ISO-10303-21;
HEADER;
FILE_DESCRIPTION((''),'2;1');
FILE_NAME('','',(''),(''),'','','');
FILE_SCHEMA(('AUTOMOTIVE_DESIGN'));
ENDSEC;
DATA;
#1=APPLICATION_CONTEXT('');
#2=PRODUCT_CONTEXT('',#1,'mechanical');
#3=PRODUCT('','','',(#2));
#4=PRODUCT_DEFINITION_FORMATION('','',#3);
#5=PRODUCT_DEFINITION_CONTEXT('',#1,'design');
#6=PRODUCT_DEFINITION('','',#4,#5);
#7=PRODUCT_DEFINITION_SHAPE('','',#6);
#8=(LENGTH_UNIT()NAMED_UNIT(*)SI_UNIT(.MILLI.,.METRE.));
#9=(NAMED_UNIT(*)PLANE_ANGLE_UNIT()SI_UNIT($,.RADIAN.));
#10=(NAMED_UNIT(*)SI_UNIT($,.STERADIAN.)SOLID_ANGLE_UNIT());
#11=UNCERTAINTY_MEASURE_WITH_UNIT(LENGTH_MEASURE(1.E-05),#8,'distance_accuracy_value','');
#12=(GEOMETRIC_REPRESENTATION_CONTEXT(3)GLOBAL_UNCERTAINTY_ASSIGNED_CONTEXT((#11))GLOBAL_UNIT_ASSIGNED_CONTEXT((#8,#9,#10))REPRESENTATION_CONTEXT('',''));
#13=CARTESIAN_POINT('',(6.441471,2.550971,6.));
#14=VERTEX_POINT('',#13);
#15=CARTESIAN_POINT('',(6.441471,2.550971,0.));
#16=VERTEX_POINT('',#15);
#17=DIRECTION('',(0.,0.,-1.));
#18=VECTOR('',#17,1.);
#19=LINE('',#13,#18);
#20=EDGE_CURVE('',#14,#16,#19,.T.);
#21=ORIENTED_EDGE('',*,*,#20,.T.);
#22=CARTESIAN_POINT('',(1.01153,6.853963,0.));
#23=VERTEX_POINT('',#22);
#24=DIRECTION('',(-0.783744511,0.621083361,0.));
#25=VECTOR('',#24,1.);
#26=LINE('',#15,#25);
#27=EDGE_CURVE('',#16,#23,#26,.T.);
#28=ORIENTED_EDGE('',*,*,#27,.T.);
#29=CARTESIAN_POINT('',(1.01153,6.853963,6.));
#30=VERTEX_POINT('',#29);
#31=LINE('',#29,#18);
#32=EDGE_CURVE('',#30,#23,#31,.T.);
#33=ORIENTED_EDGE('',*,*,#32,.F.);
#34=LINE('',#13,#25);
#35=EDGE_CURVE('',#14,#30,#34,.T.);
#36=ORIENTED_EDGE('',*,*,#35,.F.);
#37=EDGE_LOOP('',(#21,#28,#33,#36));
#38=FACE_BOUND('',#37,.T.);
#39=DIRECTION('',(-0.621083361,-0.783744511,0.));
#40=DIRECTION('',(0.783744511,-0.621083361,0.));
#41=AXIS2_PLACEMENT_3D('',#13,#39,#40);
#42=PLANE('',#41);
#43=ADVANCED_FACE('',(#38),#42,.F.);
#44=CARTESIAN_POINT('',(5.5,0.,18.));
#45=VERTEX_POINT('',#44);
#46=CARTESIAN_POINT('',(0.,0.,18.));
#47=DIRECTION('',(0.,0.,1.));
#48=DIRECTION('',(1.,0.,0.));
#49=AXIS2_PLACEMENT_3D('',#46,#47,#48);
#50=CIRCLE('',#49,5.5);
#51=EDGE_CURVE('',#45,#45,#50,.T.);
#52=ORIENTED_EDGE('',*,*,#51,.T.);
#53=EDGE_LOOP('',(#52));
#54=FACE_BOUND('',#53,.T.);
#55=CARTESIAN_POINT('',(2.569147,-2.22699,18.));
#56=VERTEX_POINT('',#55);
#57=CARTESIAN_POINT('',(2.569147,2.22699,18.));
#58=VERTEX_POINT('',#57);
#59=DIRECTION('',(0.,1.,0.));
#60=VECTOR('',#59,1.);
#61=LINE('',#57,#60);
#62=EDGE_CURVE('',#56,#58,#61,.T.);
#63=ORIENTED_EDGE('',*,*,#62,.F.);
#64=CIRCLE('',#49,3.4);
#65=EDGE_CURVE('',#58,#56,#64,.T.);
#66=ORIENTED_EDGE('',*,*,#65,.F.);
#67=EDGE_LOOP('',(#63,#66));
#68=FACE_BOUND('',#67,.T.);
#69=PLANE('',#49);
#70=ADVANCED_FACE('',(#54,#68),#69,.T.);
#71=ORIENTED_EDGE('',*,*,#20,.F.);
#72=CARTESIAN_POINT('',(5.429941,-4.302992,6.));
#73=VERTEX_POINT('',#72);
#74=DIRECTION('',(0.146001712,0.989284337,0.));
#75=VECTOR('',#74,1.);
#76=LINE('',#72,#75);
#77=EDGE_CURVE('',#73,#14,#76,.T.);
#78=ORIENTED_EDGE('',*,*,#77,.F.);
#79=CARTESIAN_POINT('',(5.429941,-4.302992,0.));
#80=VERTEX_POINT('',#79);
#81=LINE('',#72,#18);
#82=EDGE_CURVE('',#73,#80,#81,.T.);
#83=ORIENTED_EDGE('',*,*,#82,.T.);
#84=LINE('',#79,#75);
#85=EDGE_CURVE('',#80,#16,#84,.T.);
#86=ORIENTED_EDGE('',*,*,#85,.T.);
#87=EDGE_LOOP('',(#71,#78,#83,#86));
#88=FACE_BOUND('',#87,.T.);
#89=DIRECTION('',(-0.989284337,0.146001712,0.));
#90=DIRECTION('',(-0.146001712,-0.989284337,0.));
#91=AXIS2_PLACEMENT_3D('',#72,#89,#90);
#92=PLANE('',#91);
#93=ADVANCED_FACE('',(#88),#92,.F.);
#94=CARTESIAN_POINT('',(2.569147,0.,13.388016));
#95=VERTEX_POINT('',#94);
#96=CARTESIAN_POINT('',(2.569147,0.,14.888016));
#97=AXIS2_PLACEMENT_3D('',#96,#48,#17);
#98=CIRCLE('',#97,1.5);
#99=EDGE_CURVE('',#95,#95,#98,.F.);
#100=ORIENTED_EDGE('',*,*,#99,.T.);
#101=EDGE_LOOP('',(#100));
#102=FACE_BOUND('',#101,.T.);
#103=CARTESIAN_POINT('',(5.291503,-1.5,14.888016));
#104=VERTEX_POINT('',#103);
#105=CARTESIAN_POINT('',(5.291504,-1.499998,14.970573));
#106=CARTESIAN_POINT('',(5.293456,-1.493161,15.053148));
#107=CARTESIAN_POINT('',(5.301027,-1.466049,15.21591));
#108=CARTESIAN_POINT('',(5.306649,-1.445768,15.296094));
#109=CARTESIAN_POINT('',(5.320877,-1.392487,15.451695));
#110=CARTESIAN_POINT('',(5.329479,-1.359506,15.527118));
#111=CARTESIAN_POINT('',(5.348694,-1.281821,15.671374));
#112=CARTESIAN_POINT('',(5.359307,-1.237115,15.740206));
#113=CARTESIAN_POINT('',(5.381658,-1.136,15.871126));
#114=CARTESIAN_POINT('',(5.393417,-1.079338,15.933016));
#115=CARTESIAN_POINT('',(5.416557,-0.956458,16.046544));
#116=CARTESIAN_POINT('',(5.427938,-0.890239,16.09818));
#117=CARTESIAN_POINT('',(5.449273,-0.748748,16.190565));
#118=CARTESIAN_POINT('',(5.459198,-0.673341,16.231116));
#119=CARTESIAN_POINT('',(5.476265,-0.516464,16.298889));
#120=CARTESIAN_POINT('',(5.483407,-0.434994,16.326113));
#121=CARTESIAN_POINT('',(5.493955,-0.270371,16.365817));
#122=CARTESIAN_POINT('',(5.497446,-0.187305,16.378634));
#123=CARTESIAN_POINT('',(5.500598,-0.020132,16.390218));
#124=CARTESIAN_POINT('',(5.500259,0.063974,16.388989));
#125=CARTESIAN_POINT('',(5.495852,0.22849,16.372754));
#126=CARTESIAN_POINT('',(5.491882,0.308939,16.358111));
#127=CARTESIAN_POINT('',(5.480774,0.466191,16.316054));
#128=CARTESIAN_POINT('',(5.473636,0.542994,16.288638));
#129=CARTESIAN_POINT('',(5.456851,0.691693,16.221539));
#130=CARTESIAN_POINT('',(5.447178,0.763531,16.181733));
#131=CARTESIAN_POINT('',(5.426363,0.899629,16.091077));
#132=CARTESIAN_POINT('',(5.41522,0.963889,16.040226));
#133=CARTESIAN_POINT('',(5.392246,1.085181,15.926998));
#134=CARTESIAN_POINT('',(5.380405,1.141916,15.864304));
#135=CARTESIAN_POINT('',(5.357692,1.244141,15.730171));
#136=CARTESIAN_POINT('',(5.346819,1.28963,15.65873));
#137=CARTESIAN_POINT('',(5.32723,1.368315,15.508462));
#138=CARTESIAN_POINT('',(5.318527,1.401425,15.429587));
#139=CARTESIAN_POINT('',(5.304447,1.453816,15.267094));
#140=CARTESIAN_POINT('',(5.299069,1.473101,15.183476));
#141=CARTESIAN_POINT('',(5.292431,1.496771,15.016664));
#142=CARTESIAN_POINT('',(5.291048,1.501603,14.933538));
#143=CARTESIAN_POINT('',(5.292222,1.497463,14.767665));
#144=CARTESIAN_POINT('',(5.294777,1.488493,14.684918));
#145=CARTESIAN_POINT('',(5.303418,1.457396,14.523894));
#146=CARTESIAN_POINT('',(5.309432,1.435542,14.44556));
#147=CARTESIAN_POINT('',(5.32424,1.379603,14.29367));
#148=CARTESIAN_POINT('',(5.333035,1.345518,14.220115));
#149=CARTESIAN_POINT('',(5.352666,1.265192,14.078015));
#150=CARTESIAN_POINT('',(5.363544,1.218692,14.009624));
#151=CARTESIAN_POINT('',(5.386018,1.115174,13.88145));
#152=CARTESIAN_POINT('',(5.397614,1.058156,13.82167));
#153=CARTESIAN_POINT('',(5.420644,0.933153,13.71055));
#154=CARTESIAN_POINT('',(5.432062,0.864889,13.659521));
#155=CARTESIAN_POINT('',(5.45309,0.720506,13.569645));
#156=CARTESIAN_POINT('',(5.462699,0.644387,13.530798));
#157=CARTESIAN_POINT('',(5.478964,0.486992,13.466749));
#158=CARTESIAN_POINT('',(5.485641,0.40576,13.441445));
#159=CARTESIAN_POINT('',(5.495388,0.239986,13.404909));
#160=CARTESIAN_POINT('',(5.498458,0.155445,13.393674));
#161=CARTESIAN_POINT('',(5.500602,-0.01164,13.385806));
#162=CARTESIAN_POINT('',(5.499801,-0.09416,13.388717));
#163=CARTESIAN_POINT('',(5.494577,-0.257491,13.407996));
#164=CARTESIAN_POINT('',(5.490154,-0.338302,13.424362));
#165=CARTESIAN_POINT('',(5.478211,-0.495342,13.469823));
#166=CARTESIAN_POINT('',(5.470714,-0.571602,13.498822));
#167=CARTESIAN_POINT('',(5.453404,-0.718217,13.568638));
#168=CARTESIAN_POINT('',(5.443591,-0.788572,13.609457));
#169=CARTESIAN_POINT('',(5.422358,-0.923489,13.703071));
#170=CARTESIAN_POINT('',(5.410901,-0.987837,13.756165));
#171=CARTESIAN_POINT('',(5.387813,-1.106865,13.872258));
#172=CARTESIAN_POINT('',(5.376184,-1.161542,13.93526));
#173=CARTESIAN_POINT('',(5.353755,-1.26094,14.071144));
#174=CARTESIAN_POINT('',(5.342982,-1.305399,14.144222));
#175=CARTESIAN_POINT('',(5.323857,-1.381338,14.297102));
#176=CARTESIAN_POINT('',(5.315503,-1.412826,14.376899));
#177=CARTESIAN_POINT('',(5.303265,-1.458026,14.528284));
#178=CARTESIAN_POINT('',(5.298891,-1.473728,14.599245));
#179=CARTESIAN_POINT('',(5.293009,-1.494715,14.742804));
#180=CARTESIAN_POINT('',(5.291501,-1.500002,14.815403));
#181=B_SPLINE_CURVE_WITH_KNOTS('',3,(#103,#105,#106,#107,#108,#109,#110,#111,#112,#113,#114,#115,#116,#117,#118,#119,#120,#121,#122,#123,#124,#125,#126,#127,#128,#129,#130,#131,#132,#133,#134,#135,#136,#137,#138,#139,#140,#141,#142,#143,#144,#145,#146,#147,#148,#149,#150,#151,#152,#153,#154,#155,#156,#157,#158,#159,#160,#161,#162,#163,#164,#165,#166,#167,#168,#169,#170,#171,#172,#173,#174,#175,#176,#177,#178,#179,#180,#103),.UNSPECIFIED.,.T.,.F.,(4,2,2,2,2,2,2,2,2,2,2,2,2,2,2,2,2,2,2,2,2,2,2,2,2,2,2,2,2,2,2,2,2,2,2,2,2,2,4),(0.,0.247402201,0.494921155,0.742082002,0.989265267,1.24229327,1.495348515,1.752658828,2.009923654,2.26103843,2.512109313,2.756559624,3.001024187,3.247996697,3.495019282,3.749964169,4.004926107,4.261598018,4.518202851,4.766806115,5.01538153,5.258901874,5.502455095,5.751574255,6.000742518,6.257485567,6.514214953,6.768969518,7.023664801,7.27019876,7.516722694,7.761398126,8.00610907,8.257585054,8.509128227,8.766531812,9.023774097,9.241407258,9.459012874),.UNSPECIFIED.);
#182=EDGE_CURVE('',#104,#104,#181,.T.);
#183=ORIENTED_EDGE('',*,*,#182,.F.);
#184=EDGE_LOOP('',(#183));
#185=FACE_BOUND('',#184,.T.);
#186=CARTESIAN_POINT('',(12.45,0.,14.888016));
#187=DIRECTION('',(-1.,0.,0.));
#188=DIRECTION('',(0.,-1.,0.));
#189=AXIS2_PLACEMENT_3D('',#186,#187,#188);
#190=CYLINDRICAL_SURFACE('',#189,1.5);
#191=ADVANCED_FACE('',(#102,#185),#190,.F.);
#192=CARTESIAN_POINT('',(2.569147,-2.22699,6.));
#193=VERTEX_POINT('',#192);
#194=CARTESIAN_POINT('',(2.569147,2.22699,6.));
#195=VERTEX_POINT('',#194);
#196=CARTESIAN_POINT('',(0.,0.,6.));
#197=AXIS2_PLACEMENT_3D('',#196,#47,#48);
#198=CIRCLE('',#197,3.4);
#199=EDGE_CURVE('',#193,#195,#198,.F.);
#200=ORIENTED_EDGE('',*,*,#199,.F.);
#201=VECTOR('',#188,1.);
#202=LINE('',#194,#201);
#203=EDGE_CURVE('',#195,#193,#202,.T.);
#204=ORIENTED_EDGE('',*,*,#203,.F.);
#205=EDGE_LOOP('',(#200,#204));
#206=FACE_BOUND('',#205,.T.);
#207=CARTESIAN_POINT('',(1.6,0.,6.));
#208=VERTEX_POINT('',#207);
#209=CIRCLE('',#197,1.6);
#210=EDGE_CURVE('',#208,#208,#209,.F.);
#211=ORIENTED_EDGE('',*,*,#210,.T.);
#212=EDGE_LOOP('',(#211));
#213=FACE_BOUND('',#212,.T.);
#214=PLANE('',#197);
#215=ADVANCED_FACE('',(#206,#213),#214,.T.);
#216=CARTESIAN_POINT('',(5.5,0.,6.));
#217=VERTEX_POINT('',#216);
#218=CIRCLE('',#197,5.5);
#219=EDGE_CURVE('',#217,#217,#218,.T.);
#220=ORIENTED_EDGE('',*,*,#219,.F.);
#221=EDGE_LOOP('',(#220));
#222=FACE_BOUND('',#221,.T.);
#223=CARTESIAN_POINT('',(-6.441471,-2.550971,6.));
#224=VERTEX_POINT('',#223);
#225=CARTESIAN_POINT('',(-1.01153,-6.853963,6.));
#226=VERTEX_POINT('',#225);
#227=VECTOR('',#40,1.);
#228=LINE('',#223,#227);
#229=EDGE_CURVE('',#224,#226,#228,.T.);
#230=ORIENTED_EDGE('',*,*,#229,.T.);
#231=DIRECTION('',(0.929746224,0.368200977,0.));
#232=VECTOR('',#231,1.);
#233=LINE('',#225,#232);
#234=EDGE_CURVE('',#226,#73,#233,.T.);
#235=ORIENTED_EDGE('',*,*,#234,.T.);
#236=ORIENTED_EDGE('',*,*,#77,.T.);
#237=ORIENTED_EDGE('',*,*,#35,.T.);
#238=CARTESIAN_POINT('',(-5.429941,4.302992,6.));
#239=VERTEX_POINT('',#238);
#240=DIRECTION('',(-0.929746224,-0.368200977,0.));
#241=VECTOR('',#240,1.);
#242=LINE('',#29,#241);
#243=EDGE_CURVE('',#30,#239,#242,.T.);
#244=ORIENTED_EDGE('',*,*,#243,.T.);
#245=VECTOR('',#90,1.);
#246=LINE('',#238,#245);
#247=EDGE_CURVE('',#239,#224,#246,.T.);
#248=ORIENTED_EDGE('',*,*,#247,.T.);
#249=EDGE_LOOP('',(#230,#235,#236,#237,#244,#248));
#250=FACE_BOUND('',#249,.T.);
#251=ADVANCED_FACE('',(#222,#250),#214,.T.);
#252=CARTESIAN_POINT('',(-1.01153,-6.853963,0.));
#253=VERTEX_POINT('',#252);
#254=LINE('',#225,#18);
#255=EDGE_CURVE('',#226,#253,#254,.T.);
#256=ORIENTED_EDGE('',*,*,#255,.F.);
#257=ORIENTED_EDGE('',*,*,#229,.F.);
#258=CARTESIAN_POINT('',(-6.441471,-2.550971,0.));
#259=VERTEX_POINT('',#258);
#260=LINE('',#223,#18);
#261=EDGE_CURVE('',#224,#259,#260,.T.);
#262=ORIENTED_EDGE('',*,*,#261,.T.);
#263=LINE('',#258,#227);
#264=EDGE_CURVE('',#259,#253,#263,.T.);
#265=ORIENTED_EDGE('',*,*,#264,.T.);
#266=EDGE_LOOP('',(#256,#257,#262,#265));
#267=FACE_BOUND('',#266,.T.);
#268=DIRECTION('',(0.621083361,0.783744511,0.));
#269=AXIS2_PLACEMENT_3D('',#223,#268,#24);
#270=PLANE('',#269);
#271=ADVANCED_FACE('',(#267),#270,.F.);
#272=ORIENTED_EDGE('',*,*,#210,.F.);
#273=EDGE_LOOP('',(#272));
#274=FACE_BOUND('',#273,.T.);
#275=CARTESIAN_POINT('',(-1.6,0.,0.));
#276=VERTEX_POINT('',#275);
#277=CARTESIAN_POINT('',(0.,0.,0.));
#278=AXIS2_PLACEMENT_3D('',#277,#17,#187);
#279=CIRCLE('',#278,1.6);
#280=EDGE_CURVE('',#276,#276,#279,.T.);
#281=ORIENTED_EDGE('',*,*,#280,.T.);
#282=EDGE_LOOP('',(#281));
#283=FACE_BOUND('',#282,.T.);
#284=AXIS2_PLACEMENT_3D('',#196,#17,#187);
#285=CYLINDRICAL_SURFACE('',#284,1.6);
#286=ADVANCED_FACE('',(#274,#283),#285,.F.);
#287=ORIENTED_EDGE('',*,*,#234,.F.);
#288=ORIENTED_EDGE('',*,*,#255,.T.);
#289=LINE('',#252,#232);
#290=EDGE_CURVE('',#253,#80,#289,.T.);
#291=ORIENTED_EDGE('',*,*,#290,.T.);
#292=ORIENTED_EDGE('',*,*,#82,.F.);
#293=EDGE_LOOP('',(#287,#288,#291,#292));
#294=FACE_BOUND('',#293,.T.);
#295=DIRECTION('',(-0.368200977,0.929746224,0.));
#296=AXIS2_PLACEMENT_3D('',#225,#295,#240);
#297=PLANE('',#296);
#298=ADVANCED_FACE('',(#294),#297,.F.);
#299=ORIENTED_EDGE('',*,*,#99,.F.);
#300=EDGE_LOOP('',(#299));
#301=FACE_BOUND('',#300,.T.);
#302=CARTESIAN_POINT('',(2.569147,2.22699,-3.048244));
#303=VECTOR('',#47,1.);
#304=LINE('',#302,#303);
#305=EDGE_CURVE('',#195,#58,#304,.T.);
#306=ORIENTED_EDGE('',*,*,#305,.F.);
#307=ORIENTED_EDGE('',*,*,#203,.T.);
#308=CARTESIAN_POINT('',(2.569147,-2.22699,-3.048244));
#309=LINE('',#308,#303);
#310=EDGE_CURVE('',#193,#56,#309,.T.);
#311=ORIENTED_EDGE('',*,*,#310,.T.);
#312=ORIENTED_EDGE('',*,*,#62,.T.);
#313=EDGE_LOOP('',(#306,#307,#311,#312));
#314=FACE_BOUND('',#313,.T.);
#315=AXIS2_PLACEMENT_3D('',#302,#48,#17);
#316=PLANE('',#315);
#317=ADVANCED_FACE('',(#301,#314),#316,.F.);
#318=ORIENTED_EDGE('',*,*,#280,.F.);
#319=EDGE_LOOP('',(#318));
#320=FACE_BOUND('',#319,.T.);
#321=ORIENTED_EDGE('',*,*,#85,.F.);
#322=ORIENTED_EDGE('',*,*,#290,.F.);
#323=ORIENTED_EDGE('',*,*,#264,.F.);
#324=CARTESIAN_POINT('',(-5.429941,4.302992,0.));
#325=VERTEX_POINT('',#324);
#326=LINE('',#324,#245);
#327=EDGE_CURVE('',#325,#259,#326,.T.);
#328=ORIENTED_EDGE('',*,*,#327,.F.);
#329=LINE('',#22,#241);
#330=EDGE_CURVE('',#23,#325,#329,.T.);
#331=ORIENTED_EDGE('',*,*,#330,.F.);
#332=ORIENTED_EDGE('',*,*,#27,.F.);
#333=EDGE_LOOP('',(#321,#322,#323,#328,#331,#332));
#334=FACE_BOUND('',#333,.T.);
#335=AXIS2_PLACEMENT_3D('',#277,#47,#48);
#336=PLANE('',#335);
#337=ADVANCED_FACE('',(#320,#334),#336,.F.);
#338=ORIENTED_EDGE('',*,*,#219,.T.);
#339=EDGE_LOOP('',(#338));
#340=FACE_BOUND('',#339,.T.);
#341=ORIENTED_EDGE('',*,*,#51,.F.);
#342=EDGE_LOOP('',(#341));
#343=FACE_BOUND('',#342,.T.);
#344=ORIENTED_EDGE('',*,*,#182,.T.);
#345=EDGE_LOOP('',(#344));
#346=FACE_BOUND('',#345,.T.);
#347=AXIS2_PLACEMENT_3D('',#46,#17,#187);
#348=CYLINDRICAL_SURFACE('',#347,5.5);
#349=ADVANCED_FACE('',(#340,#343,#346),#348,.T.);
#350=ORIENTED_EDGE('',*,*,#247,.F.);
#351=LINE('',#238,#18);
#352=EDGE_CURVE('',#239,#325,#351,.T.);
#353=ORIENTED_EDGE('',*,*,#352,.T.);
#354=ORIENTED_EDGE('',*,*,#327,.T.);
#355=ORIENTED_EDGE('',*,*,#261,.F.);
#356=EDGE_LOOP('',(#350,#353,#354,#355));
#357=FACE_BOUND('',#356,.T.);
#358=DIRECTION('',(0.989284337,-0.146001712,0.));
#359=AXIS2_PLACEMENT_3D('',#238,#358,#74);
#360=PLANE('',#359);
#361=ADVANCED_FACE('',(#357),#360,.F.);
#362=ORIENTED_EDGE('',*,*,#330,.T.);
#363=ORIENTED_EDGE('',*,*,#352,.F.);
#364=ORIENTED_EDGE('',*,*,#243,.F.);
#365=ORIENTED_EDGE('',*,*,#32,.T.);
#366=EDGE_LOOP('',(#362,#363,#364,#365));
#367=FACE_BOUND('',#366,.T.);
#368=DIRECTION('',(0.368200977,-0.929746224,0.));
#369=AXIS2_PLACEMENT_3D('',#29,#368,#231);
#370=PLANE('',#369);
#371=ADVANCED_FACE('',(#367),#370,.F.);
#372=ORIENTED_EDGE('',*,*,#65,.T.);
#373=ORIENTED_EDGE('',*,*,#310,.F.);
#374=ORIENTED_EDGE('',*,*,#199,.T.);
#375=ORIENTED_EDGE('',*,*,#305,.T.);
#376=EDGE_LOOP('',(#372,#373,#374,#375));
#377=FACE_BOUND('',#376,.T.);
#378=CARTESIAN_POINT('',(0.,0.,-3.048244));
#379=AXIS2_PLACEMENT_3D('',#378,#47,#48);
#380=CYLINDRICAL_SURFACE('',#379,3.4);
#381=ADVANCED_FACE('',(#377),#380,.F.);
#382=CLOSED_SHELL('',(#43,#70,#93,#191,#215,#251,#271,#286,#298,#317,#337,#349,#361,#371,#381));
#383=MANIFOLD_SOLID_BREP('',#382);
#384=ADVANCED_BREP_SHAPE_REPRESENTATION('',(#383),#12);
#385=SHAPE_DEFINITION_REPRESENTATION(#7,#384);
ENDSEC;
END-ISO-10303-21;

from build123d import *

# Parameters (mm, degrees)
EXTRUDE_1_DEPTH     = 6
SKETCH_2_R          = 5.5
EXTRUDE_2_DEPTH     = 12
SKETCH_3_R          = 1.6
CUT_EXTRUDE_1_DEPTH = 6
CUT_EXTRUDE_2_DEPTH = 12
SKETCH_5_R          = 1.5
CUT_EXTRUDE_3_DEPTH = 10
CUT_EXTRUDE_4_DEPTH = 12


with BuildPart() as part:
    # 草图1 → 凸台-拉伸1 (new body)
    with BuildSketch(Plane.XY):
        Polygon((5.429941256, -4.302991745), (6.441470791, 2.550971196), (1.011529536, 6.853962941), (-5.429941256, 4.302991745), (-6.441470791, -2.550971196), (-1.011529536, -6.853962941), align=None)
    extrude(amount=EXTRUDE_1_DEPTH)

    # 草图2 → 凸台-拉伸2 (add)
    with BuildSketch(Plane.XY.offset(6)):
        Circle(SKETCH_2_R)
    extrude(amount=EXTRUDE_2_DEPTH)

    # 草图3 → 切除-拉伸1 (cut)
    with BuildSketch(Plane(origin=(0, 0, 0), x_dir=(-1, 0, 0), z_dir=(0, 0, -1))):
        Circle(SKETCH_3_R)
    extrude(amount=-CUT_EXTRUDE_1_DEPTH, mode=Mode.SUBTRACT)

    # 草图4 → 切除-拉伸2 (cut)
    with BuildSketch(Plane.XY.offset(18)):
        with BuildLine():
            Line((2.45, 1.731328969), (2.45, -1.731328969))
            ThreePointArc((2.45, -1.731328969), (-3, 0), (2.45, 1.731328969))
        make_face()
    extrude(amount=-CUT_EXTRUDE_2_DEPTH, mode=Mode.SUBTRACT)

    # 草图5 → 切除-拉伸3 (cut)
    with BuildSketch(Plane.ZY.offset(-2.45)):
        with Locations(Location((14.888016114, 0, 0), (0, 0, 270))):
            Circle(SKETCH_5_R)
    extrude(amount=-CUT_EXTRUDE_3_DEPTH, mode=Mode.SUBTRACT)

    # 草图6 → 切除-拉伸4 (cut)
    with BuildSketch(Plane.XY.offset(18)):
        with BuildLine():
            Line((2.569146545, 2.226990352), (2.569146545, -2.226990352))
            ThreePointArc((2.569146545, -2.226990352), (-3.4, 0), (2.569146545, 2.226990352))
        make_face()
    extrude(amount=-CUT_EXTRUDE_4_DEPTH, mode=Mode.SUBTRACT)


solid = part.part
